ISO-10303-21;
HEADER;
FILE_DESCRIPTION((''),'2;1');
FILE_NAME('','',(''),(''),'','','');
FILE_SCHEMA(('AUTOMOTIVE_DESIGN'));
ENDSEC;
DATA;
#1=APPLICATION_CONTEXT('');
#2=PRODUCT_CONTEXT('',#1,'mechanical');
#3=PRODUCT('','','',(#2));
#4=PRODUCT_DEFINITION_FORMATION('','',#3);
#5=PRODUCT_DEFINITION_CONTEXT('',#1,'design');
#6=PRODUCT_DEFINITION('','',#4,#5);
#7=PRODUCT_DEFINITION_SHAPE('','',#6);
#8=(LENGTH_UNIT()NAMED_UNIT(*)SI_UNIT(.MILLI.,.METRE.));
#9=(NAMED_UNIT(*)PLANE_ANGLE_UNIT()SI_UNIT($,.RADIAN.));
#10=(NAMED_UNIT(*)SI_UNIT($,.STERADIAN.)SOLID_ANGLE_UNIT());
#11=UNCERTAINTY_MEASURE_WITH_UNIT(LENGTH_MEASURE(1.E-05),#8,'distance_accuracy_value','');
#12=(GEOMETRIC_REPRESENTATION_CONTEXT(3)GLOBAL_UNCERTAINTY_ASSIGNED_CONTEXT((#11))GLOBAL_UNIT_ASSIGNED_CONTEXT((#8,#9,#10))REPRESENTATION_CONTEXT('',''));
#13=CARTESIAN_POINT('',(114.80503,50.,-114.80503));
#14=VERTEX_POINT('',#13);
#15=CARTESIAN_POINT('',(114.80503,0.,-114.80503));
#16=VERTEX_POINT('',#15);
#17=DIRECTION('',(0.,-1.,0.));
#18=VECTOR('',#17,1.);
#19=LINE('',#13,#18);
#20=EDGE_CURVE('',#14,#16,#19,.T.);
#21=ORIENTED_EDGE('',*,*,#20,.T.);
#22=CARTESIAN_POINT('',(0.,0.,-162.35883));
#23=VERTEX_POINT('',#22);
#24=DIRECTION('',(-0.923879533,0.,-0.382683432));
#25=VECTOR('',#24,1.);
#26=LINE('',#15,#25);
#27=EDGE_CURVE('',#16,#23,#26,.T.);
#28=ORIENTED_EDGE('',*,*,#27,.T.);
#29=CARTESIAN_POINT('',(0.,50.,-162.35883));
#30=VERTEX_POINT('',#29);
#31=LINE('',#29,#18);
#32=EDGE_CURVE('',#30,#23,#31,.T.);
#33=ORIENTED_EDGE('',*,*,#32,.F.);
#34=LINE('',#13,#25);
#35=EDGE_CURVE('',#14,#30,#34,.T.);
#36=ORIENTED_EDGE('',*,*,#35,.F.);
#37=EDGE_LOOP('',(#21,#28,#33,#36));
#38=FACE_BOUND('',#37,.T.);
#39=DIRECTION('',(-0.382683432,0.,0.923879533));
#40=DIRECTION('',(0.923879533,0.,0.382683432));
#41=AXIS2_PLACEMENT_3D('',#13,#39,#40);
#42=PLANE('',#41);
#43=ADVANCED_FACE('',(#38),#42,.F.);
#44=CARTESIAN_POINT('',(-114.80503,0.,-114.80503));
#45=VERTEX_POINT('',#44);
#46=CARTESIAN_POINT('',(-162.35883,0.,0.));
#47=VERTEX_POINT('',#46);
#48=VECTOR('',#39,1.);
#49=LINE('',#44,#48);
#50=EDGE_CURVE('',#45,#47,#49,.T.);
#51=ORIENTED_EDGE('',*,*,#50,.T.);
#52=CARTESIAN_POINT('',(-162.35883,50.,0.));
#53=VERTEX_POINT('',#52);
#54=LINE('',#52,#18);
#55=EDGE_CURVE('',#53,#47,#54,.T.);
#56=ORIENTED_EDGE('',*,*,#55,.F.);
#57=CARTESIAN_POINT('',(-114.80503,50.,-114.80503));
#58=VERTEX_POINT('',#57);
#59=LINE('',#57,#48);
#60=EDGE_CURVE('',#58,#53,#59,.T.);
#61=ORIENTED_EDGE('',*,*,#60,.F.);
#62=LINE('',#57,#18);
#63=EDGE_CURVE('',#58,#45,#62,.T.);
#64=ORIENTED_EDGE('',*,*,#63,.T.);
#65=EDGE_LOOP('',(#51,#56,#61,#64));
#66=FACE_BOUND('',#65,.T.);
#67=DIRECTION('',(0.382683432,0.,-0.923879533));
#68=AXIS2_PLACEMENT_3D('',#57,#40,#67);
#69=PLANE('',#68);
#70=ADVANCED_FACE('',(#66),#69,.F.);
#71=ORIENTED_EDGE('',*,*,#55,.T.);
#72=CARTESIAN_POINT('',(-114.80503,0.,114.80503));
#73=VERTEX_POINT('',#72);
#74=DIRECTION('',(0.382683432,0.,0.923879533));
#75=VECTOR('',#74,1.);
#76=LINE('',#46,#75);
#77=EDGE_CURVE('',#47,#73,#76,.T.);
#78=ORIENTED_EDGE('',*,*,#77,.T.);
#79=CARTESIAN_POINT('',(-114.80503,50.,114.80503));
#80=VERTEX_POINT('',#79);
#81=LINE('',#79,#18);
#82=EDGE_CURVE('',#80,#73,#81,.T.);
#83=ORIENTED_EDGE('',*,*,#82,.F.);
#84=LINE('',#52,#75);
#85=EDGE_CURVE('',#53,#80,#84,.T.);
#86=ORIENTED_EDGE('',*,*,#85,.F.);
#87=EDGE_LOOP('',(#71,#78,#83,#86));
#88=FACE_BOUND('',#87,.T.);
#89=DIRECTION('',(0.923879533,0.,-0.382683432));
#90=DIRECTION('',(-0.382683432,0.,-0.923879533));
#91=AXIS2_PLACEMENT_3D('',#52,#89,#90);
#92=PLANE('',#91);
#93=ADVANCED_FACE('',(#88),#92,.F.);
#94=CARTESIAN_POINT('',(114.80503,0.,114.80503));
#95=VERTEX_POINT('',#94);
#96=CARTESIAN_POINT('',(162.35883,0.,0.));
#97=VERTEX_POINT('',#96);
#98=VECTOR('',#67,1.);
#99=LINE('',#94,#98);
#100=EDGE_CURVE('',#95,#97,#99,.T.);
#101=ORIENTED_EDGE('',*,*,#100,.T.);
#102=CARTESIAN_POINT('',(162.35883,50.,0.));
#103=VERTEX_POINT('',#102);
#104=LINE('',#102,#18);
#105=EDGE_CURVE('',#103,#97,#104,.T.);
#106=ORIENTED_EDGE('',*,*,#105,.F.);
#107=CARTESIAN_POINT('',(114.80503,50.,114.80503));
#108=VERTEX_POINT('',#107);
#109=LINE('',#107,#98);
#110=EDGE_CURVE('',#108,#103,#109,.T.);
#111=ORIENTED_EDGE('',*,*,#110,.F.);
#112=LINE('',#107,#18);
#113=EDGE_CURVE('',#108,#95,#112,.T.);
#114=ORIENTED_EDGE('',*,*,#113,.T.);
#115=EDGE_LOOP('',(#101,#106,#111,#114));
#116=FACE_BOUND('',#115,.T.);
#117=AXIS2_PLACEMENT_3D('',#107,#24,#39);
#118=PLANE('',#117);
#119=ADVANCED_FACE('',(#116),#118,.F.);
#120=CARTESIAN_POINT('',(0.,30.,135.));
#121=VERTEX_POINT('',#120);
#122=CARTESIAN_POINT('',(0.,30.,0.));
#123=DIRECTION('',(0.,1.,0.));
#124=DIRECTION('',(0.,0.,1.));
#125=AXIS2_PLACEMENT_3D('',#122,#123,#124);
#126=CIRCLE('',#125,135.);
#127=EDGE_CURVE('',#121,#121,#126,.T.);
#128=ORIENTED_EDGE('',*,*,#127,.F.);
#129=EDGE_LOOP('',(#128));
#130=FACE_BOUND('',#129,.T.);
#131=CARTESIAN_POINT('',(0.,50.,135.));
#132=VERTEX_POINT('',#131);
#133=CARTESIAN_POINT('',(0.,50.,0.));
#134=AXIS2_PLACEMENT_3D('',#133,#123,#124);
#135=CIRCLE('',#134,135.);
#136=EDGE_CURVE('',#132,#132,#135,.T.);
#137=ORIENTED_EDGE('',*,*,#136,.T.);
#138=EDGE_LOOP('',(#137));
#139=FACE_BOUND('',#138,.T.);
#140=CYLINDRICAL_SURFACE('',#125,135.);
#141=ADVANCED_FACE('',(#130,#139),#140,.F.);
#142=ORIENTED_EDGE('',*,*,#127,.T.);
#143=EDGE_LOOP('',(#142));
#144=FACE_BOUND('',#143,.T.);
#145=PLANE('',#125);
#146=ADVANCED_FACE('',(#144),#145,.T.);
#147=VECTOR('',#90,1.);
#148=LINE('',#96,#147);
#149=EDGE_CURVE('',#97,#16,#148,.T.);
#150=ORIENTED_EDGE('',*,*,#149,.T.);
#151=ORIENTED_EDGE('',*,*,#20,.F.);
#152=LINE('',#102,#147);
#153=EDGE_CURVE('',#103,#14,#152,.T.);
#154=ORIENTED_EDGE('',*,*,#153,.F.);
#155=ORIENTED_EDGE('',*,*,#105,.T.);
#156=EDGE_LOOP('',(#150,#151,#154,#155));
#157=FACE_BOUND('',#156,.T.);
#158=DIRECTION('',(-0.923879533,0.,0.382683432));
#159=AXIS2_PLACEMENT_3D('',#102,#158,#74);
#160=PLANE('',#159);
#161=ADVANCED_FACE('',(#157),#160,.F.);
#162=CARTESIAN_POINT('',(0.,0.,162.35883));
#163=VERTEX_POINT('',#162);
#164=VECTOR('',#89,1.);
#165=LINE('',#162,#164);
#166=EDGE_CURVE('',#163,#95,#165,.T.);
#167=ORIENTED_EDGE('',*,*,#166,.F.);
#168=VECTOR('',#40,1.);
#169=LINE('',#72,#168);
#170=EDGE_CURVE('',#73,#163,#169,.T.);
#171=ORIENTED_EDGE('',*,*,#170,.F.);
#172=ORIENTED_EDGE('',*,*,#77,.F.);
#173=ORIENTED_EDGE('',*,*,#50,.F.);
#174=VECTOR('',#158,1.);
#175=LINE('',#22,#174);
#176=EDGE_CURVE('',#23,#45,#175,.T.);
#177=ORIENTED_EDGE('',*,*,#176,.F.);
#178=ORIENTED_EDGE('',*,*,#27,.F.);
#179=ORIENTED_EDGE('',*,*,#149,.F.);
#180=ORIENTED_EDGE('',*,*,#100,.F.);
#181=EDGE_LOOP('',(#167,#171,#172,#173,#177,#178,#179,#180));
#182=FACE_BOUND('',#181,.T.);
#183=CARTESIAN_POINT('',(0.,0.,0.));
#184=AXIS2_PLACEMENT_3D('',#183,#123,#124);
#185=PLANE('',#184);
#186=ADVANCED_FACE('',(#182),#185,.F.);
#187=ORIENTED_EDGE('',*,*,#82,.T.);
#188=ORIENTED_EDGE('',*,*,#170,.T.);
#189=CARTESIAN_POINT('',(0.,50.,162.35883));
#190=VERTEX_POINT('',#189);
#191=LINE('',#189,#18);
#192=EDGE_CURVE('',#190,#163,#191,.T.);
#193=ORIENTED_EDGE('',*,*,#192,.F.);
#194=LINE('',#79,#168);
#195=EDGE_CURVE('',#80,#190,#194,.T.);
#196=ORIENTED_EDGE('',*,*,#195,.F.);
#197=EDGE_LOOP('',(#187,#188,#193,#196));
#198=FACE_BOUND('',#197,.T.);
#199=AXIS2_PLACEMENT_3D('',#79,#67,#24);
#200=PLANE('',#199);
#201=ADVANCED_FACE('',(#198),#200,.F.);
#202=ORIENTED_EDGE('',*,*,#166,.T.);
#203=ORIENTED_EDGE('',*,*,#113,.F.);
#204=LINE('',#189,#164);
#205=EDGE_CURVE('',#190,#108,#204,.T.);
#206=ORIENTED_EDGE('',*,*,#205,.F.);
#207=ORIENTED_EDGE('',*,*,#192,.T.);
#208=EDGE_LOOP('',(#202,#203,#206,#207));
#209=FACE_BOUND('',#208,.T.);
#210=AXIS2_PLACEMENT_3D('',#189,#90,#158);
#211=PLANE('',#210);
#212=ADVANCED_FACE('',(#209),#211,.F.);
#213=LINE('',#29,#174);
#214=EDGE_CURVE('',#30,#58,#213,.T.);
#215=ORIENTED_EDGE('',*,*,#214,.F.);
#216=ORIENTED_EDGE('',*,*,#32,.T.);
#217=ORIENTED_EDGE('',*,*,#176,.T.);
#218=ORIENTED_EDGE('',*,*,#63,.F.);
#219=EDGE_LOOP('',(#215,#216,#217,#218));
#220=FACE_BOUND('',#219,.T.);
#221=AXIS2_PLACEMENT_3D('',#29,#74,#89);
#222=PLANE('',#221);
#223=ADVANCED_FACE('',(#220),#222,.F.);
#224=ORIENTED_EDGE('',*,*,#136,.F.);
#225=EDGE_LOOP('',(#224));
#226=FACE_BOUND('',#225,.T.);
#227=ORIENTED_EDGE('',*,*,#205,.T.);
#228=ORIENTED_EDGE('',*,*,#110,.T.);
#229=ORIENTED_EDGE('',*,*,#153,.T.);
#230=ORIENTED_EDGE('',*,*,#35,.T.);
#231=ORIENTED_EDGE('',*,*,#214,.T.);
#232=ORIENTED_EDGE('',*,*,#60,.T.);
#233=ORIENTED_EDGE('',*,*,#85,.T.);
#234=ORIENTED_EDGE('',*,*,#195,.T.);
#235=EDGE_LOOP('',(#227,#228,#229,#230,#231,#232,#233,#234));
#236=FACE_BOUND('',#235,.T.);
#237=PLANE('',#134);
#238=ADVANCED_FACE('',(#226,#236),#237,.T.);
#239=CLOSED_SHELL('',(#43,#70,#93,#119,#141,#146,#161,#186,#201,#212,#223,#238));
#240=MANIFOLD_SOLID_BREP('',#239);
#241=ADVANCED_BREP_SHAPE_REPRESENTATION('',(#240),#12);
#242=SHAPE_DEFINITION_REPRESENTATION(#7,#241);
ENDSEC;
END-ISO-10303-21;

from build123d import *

# Parameters (mm, degrees)
BOSS_EXTRUDE1_DEPTH = 50
SKETCH2_R           = 135
CUT_EXTRUDE1_DEPTH  = 20


with BuildPart() as part:
    # Sketch1 → Boss-Extrude1 (new body)
    with BuildSketch(Plane(origin=(0, 0, 0), x_dir=(1, 0, 0), z_dir=(0, 1, 0))):
        Polygon((162.358830044, 0), (114.80502971, 114.80502971), (0, 162.358830044), (-114.80502971, 114.80502971), (-162.358830044, 0), (-114.80502971, -114.80502971), (0, -162.358830044), (114.80502971, -114.80502971), align=None)
    extrude(amount=BOSS_EXTRUDE1_DEPTH)

    # Sketch2 → Cut-Extrude1 (cut)
    with BuildSketch(Plane(origin=(0, 50, 0), x_dir=(1, 0, 0), z_dir=(0, 1, 0))):
        with Locations(Location((0, 0, 0), (0, 0, 270))):
            Circle(SKETCH2_R)
    extrude(amount=-CUT_EXTRUDE1_DEPTH, mode=Mode.SUBTRACT)


solid = part.part
